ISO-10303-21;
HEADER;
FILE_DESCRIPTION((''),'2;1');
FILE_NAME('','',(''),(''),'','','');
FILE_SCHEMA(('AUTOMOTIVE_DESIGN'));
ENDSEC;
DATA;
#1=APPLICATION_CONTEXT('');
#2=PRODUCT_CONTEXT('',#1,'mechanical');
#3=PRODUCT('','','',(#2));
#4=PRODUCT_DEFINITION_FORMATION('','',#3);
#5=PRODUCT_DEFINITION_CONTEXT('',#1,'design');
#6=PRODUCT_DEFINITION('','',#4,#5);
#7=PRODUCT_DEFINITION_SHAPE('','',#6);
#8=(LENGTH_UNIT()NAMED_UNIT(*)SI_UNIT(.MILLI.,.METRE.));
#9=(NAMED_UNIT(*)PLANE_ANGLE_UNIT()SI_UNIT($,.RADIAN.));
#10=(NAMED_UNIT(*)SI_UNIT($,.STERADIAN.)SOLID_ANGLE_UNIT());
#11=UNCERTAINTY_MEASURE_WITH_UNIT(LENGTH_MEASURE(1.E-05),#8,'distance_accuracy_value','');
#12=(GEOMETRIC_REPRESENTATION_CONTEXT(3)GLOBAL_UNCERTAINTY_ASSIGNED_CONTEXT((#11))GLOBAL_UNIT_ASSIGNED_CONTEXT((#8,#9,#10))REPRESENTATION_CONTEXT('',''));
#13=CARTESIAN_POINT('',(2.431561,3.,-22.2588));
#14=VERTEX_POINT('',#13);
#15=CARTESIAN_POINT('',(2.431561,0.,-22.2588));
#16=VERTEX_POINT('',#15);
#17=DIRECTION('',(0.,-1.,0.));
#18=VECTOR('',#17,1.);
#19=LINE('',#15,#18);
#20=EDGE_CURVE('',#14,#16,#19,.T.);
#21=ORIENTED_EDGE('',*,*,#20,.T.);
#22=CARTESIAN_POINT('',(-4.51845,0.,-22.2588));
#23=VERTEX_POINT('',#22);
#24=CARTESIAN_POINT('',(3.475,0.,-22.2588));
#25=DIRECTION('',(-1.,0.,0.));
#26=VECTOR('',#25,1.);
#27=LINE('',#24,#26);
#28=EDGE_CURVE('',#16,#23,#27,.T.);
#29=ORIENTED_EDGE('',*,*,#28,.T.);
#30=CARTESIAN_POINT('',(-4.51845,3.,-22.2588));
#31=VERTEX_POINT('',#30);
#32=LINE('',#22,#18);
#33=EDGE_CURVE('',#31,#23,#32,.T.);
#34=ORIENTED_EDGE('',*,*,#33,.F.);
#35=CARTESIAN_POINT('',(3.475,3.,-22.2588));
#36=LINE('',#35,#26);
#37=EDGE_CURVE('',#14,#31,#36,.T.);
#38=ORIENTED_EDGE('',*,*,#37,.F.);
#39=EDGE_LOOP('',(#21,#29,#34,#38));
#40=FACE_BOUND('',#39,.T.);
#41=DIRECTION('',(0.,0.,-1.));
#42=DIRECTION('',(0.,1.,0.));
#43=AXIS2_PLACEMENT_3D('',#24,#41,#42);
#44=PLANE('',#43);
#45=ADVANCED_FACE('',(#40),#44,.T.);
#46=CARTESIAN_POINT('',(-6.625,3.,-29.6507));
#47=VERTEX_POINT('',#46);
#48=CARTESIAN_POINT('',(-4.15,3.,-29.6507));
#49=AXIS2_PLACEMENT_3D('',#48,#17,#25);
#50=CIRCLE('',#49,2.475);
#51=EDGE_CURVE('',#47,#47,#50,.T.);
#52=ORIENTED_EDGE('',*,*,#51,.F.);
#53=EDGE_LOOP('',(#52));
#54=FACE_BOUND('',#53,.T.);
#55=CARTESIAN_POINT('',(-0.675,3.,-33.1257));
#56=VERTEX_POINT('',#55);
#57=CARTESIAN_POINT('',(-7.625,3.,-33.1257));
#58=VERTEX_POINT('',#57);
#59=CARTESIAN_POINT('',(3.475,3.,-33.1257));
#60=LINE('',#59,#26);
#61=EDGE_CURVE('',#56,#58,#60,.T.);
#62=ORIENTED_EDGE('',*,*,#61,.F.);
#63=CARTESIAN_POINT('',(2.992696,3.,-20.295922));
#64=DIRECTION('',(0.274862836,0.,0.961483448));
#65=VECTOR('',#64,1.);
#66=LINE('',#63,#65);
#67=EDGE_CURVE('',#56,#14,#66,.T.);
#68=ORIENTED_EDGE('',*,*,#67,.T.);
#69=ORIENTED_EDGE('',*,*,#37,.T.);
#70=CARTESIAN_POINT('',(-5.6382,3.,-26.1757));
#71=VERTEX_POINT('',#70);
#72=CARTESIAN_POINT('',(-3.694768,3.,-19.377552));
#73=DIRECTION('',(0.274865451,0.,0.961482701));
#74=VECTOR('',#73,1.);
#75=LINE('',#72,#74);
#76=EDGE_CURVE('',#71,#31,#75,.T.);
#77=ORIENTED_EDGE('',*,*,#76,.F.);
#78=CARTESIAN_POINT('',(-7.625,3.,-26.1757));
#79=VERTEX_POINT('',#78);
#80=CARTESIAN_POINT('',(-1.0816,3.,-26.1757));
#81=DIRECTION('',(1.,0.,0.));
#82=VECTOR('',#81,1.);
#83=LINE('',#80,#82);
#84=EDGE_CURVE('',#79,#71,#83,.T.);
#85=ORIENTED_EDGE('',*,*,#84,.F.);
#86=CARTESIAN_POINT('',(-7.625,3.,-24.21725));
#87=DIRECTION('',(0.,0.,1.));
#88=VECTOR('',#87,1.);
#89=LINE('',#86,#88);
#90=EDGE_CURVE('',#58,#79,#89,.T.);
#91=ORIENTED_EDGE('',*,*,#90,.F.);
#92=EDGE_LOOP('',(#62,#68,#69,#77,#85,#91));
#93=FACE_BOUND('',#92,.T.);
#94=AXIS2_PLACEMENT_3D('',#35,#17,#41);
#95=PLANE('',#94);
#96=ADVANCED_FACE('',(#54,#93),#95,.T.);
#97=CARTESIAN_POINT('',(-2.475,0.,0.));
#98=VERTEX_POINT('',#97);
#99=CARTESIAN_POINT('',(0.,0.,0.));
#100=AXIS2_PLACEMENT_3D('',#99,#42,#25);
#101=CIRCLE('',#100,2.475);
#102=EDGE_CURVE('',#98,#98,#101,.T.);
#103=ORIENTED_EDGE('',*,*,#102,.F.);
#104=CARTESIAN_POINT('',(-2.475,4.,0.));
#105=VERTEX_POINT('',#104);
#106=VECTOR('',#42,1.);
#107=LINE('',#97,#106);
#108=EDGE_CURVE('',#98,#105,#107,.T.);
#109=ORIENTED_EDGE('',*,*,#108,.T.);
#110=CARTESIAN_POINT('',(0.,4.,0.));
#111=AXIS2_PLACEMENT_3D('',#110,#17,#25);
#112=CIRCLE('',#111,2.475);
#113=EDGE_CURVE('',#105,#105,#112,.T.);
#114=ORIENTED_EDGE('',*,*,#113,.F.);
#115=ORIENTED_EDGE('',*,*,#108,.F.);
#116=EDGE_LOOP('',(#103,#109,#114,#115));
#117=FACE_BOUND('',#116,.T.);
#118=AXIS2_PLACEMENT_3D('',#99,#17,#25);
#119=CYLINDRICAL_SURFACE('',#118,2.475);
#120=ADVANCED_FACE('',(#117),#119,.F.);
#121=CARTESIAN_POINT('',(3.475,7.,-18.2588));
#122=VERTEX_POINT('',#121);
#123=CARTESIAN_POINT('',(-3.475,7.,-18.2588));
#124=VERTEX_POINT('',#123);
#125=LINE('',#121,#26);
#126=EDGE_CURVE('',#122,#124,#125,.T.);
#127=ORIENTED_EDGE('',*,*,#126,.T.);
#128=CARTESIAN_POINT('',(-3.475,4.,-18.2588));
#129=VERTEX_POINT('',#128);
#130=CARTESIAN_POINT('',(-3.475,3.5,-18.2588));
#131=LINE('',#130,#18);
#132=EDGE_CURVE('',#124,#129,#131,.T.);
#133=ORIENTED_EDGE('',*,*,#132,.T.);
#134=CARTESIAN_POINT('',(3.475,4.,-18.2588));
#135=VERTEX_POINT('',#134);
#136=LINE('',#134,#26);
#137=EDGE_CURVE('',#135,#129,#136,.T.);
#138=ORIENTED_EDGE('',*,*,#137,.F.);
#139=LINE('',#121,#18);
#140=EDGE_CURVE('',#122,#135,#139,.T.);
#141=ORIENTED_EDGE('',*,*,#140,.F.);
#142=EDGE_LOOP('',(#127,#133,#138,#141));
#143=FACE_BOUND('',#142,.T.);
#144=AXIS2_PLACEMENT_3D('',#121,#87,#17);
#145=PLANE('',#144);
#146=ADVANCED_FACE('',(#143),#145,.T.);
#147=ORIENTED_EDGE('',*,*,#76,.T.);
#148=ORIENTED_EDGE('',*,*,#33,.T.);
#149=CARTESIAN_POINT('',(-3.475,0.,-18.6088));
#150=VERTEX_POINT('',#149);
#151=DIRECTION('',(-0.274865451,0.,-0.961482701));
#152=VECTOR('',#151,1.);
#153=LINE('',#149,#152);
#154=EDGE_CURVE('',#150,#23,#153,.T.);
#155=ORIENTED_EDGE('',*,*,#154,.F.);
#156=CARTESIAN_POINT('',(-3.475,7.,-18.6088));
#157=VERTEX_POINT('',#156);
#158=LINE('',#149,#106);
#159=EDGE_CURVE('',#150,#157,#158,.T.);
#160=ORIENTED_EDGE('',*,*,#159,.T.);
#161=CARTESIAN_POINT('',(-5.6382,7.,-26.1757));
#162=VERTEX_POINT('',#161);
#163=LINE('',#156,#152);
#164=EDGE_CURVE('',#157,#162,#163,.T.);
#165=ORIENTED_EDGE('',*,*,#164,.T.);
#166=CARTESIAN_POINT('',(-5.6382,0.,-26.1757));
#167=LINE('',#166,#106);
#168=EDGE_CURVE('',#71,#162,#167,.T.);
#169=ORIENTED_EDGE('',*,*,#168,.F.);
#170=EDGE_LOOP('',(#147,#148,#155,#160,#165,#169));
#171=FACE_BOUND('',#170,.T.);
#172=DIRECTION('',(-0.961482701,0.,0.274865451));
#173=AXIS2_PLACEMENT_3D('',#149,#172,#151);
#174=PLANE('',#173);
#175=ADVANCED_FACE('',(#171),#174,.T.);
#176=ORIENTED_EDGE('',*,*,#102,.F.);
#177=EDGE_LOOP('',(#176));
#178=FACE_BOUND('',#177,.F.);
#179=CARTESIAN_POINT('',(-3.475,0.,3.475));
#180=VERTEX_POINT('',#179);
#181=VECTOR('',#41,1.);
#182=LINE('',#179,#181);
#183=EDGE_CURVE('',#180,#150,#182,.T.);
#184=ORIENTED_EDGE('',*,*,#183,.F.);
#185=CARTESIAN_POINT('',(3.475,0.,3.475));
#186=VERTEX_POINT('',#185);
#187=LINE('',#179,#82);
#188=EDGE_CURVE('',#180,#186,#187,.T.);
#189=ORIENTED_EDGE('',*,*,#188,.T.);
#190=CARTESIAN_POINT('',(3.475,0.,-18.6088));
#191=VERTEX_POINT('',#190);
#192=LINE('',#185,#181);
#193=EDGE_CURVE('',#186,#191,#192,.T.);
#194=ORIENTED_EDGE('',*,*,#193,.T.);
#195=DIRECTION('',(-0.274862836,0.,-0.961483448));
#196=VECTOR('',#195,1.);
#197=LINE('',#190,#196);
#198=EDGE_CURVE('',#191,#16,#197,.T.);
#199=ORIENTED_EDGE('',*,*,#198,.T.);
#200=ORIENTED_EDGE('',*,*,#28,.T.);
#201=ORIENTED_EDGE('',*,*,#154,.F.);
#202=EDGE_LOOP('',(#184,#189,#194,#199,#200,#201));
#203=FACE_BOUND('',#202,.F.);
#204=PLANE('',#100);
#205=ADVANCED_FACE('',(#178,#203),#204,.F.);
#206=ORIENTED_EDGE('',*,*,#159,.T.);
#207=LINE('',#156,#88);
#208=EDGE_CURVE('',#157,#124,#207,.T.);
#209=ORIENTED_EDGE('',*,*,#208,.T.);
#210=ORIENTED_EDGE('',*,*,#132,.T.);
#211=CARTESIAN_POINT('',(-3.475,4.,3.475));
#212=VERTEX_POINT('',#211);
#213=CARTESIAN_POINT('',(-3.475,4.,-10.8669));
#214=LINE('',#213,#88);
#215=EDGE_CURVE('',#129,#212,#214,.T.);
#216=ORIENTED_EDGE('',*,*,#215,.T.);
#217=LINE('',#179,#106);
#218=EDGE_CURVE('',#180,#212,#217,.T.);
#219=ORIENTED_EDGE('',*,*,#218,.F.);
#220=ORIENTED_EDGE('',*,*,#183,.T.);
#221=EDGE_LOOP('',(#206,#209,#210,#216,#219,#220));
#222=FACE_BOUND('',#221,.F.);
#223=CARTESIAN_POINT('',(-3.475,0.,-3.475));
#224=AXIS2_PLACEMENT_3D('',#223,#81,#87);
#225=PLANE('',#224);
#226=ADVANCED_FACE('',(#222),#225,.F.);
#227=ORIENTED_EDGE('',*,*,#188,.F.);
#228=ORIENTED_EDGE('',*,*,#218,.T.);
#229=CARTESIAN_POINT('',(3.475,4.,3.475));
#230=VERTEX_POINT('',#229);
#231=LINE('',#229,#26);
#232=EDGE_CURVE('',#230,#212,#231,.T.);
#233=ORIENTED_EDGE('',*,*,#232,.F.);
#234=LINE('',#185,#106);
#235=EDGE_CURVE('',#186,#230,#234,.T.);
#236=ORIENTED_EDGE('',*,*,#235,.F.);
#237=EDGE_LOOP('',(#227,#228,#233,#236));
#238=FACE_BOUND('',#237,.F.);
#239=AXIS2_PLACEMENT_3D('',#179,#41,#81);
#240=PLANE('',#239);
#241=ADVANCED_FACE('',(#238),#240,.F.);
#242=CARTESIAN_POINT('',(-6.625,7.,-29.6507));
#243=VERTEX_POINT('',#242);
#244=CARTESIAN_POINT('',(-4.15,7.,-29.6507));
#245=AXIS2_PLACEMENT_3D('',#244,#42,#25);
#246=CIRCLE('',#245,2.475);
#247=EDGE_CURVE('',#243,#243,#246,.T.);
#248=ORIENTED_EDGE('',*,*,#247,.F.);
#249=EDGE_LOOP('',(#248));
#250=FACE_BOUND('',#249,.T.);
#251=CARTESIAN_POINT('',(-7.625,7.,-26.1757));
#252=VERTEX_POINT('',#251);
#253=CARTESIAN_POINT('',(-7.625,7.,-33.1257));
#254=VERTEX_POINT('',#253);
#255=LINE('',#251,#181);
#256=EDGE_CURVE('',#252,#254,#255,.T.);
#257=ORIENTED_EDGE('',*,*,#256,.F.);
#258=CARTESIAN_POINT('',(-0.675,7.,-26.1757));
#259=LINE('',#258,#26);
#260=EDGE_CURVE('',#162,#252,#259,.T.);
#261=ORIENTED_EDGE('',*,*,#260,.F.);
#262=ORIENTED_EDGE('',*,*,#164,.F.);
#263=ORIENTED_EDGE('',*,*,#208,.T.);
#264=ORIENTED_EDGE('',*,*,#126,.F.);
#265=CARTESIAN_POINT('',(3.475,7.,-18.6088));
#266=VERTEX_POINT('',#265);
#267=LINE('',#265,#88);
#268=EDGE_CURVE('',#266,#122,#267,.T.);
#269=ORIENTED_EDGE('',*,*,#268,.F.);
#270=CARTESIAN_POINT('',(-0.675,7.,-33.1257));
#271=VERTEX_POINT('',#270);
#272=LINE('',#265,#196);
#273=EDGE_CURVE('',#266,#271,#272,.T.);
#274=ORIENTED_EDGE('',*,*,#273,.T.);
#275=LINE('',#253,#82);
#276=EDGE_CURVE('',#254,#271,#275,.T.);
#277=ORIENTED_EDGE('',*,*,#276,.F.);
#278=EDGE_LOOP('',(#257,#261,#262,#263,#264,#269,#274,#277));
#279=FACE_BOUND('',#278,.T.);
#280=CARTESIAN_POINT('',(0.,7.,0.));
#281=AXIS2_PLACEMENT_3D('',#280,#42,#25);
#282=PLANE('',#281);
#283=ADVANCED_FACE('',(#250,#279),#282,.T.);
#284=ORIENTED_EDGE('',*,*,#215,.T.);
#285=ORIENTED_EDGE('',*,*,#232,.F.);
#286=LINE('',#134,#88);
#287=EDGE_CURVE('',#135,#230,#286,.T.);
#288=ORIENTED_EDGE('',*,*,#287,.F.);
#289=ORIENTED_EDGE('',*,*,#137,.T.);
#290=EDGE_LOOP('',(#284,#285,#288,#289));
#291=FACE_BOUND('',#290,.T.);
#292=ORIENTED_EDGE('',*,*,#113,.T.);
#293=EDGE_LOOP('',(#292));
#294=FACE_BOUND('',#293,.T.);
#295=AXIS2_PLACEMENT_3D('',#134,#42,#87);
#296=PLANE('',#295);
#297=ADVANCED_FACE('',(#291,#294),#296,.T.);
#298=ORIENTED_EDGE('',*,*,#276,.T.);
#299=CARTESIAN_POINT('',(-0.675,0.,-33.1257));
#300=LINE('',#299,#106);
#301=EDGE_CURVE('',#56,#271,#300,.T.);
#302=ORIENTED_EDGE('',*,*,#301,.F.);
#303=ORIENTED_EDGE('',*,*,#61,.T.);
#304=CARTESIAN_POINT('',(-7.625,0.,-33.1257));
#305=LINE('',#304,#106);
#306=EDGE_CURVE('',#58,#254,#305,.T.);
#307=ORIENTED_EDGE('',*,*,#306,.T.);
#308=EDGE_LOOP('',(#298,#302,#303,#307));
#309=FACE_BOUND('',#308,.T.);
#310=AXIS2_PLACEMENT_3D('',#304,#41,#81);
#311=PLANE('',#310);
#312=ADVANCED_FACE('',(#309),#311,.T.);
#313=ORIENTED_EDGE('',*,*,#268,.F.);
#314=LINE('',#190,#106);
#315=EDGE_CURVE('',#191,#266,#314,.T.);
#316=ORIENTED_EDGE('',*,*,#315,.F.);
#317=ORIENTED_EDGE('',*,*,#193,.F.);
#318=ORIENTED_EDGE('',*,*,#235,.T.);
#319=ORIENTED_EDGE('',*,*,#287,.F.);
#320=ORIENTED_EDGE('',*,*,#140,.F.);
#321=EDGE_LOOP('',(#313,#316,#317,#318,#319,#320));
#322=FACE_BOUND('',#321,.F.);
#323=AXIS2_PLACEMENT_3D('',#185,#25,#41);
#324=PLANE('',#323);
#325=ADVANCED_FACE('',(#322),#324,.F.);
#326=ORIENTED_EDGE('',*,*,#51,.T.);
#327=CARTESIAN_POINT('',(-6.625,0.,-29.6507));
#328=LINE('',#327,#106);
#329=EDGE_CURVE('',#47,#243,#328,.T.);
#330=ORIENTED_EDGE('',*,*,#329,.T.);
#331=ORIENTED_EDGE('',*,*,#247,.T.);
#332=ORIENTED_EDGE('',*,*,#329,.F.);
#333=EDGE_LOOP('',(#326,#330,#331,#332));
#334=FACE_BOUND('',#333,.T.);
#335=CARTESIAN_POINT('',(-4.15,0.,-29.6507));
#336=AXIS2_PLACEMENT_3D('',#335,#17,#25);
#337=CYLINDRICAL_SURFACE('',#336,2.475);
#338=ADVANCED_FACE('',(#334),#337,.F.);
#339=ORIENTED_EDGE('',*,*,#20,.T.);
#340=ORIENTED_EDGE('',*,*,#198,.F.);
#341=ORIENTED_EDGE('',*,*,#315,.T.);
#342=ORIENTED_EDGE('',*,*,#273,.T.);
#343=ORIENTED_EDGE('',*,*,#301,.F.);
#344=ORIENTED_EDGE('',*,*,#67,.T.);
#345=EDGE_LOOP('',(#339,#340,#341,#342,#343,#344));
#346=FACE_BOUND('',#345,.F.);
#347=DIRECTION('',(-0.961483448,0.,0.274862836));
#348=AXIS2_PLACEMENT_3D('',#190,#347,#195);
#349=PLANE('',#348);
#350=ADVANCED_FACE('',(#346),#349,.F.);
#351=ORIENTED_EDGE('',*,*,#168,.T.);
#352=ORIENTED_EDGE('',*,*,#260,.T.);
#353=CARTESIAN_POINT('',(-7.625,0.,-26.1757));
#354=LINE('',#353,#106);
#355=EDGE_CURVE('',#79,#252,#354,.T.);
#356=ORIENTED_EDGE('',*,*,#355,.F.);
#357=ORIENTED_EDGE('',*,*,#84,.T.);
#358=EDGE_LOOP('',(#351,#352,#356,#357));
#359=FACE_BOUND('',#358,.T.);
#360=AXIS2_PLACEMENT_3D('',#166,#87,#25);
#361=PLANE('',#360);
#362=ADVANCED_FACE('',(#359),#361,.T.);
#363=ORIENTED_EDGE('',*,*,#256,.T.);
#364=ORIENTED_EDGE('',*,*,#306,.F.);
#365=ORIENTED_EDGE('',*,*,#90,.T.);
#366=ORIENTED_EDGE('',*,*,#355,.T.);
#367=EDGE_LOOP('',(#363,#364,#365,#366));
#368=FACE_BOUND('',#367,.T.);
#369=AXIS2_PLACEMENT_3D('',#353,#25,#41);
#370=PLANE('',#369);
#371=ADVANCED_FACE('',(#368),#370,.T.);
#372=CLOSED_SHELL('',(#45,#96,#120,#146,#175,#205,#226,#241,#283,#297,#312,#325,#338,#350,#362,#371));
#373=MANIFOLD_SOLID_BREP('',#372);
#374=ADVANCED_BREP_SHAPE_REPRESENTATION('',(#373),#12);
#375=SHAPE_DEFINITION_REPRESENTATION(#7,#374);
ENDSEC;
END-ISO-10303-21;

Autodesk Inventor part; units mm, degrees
ref_plane "YZ Plane" through (0, 0, 0) normal (1, 0, 0) x (0, 1, 0)
ref_plane "XZ Plane" through (0, 0, 0) normal (0, 1, 0) x (-1, 0, 0)
ref_plane "XY Plane" through (0, 0, 0) normal (0, 0, 1) x (1, 0, 0)
sketch "Эскиз1" plane through (0, 0, 0) normal (0, 1, 0) x (-1, 0, 0)
  circle A0 centre (0, 0) radius 2.475
  circle A1 centre (4.15, -29.6507) radius 2.475
  line L0 (0, 0) -> (0, -29.6507) construction
  line L1 (0, -29.6507) -> (4.15, -29.6507) construction
  line L2 (-3.475, -3.475) -> (3.475, -3.475)
  line L3 (3.475, -3.475) -> (3.475, 3.475)
  line L4 (3.475, 3.475) -> (-3.475, 3.475)
  line L5 (-3.475, 3.475) -> (-3.475, -3.475)
  line L6 (-3.475, -3.475) -> (3.475, 3.475) construction
  line L7 (3.475, -3.475) -> (-3.475, 3.475) construction
  line L8 (0.675, -26.1757) -> (7.625, -26.1757)
  line L9 (7.625, -26.1757) -> (7.625, -33.1257)
  line L10 (7.625, -33.1257) -> (0.675, -33.1257)
  line L11 (0.675, -33.1257) -> (0.675, -26.1757)
  line L12 (0.675, -26.1757) -> (7.625, -33.1257) construction
  line L13 (7.625, -26.1757) -> (0.675, -33.1257) construction
  line L14 (0, 3.475) -> (0, 2.475) construction
  line L15 (3.475, -3.475) -> (-3.475, -3.475)
  line L16 (-3.475, -3.475) -> (-3.475, -18.6088)
  line L17 (-3.475, -18.6088) -> (3.475, -18.6088)
  line L18 (3.475, -18.6088) -> (3.475, -3.475)
  line L19 (3.475, -26.1757) -> (3.475, -18.6088)
  line L20 (3.475, -18.6088) -> (3.475, -11.0419)
  line L21 (3.475, -11.0419) -> (3.475, -3.475)
  line L22 (3.475, -18.6088) -> (5.6382, -26.1757)
  line L23 (-3.475, -18.6088) -> (0.675, -33.1257)
  dimension "d0" = 4.95
  dimension "d1" = 4.15
  dimension "d2" = 29.6507
  dimension "d3" = 1
  dimension "d4" = 1
extrude "Выдавливание1" add sketch "Эскиз1" along normal blind 7
sketch "Эскиз2" plane through (3.475, 0, 3.475) normal (1, 0, 0) x (0, 0, -1)
  line L0 (22.0838, 7) -> (0, 7) projected
  line L1 (22.0838, 0) -> (0, 0) projected
  line L2 (0, 0) -> (21.7338, 0)
  line L3 (21.7338, 0) -> (21.7338, 4)
  line L4 (21.7338, 4) -> (0, 4)
  line L5 (0, 4) -> (0, 0)
  line L6 (36.6007, 0) -> (36.6007, 7) projected
  line L7 (36.6007, 7) -> (25.7338, 7)
  line L8 (25.7338, 7) -> (25.7338, 3)
  line L9 (25.7338, 3) -> (36.6007, 3)
  line L10 (36.6007, 3) -> (36.6007, 7)
  line L11 (25.7338, 7) -> (21.7338, 7)
  line L12 (21.7338, 7) -> (21.7338, 0)
  line L13 (21.7338, 0) -> (25.7338, 0)
  line L14 (25.7338, 0) -> (25.7338, 7)
  line L15 (0, 0) -> (22.0838, 0) projected
  line L16 (22.0838, 0) -> (22.0838, 7) projected
  line L17 (0, 7) -> (22.0838, 7) projected
  line L18 (0, 0) -> (0, 7) projected
  line L19 (22.0838, 0) -> (36.6007, 0) projected
  line L20 (36.6007, 0) -> (36.6007, 7) projected
  line L21 (22.0838, 7) -> (36.6007, 7) projected
  line L22 (22.0838, 0) -> (22.0838, 7) projected
  line L23 (0, 0) -> (10.8669, 0)
  line L24 (10.8669, 0) -> (21.7338, 0)
  point P0 (3.475, 0)
  point P1 (29.6507, 7)
  point P2 (29.6507, 0)
  point P3 (0, 4)
  dimension "d8" = 4
extrude "Выдавливание2" cut sketch "Эскиз2" against normal through all contours L12 L4 L18 L0 | L9 L6 L19 L14
